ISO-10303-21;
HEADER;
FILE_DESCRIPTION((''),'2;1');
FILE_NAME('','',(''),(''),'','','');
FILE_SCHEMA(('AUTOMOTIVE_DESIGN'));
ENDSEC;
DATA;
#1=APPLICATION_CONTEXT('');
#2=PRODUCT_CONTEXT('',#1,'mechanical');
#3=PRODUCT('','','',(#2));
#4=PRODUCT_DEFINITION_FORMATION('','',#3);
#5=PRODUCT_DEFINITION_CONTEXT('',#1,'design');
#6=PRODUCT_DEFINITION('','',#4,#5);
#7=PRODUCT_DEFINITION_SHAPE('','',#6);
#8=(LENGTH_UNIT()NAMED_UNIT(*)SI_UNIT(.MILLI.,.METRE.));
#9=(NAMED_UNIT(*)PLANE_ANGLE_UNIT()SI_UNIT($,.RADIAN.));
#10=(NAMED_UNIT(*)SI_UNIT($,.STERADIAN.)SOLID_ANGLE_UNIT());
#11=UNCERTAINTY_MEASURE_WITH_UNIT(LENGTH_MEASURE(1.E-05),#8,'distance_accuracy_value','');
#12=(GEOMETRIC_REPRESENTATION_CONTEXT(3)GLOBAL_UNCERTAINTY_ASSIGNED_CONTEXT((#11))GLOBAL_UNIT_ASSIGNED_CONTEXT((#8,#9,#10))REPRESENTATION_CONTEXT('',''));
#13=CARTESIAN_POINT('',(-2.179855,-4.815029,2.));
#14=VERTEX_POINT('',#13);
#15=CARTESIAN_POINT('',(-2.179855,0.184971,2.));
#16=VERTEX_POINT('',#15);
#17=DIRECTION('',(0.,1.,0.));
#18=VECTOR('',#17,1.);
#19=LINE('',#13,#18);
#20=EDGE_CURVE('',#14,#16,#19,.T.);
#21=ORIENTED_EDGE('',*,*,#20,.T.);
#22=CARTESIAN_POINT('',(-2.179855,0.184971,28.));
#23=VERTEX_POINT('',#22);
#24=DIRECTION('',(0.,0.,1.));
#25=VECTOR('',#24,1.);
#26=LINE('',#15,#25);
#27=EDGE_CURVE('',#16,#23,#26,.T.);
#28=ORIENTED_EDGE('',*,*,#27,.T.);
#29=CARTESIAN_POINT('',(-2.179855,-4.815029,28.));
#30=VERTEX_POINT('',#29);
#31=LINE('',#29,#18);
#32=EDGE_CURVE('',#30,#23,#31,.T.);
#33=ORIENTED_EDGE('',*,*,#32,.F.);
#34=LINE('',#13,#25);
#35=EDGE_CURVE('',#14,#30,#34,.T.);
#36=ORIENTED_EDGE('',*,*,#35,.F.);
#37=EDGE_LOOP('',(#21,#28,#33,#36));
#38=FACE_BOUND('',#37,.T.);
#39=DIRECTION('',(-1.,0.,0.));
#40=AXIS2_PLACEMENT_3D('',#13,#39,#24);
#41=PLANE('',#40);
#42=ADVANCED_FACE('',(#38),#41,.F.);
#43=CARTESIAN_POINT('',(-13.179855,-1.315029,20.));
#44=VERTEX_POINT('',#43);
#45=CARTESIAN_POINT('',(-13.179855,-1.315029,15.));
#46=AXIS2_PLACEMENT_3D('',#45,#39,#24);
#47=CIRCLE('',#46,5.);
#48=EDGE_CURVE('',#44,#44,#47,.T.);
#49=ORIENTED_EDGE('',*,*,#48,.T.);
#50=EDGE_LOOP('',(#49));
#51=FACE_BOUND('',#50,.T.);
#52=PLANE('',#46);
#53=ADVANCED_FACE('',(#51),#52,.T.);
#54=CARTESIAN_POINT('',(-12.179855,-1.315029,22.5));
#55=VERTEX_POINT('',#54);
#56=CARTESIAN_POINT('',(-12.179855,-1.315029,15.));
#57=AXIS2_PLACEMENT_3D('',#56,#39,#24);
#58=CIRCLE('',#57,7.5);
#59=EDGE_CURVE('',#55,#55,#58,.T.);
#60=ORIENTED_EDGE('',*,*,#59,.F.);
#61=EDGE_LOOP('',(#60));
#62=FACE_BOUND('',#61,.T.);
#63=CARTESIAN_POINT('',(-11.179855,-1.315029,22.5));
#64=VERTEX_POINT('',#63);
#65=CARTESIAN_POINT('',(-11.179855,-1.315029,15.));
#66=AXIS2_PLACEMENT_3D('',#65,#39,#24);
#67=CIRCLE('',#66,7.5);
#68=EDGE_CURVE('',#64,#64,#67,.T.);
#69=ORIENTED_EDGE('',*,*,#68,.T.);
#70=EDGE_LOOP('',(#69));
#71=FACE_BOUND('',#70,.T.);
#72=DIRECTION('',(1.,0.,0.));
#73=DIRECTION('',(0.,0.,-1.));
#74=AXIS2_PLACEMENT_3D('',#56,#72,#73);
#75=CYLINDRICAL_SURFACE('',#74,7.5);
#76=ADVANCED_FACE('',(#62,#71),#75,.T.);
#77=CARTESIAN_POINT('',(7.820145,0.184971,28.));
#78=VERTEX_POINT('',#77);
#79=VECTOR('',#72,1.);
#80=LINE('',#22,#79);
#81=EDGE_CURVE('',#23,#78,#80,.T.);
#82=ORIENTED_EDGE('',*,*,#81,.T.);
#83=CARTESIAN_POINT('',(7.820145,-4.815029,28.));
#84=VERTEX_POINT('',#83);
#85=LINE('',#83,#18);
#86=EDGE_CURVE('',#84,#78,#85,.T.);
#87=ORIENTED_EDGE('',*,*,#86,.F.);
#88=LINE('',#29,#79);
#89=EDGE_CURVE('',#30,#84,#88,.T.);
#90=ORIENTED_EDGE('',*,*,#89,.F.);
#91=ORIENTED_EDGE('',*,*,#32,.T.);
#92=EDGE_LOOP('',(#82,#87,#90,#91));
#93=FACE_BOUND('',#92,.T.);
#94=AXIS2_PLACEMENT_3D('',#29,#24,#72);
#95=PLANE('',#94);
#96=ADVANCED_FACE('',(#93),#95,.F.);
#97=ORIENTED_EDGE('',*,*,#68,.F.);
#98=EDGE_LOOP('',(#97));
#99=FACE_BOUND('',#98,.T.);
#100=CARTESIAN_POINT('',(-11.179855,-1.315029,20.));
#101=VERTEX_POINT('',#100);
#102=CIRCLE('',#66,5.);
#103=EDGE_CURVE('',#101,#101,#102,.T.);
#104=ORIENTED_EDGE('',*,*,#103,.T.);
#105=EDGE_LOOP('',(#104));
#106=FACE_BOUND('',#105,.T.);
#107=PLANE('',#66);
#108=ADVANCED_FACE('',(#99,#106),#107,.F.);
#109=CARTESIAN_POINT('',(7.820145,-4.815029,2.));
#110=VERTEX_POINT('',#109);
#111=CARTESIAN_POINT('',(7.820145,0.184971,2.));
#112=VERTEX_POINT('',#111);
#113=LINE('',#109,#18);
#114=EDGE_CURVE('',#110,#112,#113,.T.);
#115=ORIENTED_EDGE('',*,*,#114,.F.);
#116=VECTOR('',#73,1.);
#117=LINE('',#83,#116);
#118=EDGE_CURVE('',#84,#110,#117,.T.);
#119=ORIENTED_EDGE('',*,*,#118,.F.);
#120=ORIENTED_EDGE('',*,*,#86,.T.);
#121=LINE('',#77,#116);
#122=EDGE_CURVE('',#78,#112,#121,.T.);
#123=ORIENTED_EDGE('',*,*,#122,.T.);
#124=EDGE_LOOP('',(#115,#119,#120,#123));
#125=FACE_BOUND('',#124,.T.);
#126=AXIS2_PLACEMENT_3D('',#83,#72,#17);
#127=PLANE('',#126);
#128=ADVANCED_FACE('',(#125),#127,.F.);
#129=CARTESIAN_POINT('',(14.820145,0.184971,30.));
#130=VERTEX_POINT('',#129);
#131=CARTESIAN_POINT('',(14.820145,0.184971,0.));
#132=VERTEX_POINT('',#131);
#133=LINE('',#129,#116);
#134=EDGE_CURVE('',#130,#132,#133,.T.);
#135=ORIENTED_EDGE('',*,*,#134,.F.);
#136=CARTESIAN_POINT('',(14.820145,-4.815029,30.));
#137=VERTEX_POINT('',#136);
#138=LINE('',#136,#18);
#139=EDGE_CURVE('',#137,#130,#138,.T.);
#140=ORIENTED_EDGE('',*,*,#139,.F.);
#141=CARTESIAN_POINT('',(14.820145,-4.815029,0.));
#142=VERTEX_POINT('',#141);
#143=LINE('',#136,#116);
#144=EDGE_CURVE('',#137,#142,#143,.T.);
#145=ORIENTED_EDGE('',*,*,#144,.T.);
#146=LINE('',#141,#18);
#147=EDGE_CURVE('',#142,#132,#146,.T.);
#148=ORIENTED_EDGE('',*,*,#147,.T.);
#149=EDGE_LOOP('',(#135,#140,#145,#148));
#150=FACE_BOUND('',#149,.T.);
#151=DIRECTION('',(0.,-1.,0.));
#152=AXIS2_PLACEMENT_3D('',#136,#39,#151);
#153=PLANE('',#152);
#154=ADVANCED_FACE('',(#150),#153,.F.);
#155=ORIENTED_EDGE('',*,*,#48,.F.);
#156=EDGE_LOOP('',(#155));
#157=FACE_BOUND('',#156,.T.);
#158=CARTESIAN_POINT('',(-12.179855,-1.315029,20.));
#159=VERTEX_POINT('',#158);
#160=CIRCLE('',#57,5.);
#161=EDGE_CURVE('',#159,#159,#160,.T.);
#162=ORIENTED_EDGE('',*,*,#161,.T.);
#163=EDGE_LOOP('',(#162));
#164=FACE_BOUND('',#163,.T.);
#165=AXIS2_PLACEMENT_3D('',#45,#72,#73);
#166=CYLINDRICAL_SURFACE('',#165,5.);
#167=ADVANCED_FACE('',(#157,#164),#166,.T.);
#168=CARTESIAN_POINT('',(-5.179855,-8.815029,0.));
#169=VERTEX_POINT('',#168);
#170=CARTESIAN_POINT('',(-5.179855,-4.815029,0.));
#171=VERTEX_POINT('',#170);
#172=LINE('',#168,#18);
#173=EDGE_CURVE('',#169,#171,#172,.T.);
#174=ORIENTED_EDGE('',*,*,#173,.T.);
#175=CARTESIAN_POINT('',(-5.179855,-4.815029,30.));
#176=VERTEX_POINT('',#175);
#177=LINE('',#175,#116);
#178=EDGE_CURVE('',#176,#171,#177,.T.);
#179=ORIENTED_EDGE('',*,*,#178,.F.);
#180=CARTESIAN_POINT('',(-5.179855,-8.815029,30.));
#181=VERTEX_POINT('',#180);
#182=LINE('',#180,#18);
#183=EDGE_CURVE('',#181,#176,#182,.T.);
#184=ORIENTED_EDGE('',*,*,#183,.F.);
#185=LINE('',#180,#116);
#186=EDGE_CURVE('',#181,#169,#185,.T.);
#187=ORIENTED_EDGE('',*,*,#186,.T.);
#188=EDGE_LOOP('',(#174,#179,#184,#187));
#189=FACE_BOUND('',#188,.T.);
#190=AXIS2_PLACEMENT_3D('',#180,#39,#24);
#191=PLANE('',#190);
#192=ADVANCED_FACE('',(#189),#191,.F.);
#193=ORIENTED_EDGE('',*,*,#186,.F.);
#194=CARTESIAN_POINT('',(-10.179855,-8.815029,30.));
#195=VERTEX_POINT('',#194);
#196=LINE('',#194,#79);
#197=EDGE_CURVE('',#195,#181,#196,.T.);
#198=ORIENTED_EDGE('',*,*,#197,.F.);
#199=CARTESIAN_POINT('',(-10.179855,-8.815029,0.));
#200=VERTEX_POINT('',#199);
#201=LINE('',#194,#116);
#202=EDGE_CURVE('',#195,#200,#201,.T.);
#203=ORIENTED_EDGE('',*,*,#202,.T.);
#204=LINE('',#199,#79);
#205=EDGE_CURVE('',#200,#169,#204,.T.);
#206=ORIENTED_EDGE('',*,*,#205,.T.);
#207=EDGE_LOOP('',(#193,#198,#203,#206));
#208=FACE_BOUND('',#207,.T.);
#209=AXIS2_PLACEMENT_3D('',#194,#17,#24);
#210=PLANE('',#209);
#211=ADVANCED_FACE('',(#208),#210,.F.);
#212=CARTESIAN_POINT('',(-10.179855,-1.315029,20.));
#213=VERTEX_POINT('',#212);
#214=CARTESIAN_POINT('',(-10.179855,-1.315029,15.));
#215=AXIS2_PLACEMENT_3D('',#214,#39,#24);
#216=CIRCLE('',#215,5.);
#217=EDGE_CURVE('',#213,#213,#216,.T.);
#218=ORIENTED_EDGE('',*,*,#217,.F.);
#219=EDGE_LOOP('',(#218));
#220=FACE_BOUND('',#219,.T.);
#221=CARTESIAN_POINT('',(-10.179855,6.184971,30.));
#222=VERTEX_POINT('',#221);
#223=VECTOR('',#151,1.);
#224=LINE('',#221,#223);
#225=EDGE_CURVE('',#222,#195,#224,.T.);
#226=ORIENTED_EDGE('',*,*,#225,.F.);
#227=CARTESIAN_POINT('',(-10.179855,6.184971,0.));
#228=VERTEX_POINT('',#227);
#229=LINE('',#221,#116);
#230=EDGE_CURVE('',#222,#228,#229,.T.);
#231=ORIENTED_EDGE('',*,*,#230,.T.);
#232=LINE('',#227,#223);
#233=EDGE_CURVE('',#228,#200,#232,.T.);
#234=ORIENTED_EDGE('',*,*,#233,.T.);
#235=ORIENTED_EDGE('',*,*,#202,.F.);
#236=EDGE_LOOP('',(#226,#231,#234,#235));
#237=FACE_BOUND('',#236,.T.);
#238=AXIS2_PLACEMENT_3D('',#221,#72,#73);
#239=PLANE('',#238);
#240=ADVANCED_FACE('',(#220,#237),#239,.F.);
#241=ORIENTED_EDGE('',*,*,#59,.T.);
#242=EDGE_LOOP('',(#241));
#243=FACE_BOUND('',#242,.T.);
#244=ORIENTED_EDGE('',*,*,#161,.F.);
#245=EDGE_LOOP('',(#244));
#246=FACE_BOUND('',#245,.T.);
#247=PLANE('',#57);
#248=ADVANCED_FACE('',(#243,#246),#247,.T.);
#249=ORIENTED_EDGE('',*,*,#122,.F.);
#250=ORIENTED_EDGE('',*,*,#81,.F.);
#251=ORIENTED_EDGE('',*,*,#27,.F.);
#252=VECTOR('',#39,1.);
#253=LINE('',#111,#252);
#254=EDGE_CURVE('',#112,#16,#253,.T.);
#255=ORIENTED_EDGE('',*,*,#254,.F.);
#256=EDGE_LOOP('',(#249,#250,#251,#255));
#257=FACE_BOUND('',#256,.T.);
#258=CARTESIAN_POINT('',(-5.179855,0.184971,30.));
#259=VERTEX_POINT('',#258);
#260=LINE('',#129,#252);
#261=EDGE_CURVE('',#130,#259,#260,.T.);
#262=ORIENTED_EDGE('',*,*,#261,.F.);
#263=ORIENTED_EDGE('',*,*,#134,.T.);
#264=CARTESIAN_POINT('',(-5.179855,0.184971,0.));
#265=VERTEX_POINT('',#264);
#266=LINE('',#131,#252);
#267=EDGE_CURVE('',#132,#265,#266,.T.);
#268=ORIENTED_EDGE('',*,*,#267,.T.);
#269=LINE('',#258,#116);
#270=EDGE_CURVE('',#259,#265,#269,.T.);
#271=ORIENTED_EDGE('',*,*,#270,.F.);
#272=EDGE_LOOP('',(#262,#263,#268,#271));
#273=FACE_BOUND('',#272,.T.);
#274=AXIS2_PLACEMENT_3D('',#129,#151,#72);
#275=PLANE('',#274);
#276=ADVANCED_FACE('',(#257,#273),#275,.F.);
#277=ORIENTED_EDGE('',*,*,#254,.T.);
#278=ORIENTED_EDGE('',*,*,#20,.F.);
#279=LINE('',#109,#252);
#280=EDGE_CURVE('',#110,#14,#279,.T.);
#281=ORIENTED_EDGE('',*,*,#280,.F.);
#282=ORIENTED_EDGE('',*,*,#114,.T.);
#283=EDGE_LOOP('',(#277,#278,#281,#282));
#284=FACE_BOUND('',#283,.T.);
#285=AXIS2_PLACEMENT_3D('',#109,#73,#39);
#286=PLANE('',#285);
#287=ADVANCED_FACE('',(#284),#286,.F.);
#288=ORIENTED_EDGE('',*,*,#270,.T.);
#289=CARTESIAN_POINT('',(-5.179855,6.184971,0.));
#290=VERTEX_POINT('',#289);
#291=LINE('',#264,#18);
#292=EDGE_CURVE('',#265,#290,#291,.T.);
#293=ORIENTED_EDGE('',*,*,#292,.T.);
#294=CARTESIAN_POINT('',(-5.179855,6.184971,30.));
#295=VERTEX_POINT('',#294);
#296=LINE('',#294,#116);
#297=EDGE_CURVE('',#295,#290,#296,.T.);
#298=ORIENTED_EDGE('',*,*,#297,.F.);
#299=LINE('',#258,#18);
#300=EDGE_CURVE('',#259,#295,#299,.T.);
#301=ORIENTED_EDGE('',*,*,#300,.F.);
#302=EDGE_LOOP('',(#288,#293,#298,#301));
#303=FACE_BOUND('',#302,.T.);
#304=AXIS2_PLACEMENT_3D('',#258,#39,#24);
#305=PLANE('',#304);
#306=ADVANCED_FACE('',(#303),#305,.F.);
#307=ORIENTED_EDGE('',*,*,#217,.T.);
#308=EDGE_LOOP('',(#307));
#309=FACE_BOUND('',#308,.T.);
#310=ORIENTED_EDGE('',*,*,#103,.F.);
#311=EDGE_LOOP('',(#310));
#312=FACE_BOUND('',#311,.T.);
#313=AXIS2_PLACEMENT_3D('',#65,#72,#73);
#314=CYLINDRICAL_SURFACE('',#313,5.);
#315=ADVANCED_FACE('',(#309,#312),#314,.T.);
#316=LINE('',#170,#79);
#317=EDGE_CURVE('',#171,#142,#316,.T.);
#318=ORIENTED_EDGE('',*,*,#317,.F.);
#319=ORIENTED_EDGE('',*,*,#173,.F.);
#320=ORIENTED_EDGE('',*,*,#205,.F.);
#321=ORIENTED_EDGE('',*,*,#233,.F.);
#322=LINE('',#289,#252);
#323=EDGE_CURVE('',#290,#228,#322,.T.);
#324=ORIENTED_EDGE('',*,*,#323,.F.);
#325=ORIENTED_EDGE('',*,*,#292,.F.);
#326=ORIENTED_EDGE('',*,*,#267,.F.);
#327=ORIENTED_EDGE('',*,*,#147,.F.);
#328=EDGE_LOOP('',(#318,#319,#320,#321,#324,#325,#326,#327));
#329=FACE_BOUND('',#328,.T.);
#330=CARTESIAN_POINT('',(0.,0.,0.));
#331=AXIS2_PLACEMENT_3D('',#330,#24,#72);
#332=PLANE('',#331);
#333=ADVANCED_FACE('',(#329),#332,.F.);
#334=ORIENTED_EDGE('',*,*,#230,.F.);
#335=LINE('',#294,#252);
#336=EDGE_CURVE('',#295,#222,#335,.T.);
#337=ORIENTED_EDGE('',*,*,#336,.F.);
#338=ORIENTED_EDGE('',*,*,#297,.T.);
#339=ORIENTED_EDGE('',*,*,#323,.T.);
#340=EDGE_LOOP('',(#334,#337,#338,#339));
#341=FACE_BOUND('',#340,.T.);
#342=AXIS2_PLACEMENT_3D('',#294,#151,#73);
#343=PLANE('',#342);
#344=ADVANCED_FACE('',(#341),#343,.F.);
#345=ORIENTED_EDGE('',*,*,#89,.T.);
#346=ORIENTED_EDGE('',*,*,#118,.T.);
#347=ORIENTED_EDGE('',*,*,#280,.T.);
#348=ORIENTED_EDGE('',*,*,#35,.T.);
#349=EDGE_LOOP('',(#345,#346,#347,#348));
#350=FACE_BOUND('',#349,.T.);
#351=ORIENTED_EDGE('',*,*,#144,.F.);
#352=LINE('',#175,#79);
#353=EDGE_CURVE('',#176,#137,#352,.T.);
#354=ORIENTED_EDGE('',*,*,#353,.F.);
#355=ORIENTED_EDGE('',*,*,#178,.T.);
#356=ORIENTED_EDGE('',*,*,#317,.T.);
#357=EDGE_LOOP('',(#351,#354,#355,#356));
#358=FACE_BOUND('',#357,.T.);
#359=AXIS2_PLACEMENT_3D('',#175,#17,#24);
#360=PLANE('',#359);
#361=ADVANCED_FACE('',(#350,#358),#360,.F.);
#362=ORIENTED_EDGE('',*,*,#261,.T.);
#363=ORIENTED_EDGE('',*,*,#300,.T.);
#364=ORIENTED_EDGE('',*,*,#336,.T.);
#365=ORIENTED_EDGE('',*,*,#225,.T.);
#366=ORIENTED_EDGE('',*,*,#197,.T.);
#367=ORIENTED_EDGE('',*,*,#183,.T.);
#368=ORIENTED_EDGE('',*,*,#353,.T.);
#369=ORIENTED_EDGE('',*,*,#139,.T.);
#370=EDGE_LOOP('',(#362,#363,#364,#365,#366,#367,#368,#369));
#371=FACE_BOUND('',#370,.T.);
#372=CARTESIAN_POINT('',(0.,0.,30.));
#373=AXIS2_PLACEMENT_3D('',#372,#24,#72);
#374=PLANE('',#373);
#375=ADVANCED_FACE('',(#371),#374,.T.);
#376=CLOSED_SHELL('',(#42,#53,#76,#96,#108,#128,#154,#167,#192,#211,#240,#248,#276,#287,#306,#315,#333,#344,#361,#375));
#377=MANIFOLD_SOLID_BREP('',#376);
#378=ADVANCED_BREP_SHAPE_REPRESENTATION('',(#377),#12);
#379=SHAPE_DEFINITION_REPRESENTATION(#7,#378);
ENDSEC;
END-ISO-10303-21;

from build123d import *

# Parameters (mm, degrees)
BOSS_EXTRUDE1_DEPTH = 30
SKETCH2_W           = 10
SKETCH2_H           = 26
CUT_EXTRUDE1_DEPTH  = 5
SKETCH3_R           = 5
BOSS_EXTRUDE2_DEPTH = 1
SKETCH4_R           = 7.5
BOSS_EXTRUDE3_DEPTH = 1
SKETCH5_R           = 5
BOSS_EXTRUDE4_DEPTH = 1


with BuildPart() as part:
    # Sketch1 → Boss-Extrude1 (new body)
    with BuildSketch(Plane.XY):
        Polygon((-10.17985471, 6.184971098), (-10.17985471, -8.815028902), (-5.17985471, -8.815028902), (-5.17985471, -4.815028902), (14.82014529, -4.815028902), (14.82014529, 0.184971098), (-5.17985471, 0.184971098), (-5.17985471, 6.184971098), align=None)
    extrude(amount=BOSS_EXTRUDE1_DEPTH)

    # Sketch2 → Cut-Extrude1 (cut)
    with BuildSketch(Plane(origin=(0, 0.184971098, 0), x_dir=(1, 0, 0), z_dir=(0, 1, 0))):
        with Locations((2.82014529, -15)):
            Rectangle(SKETCH2_W, SKETCH2_H)
    extrude(amount=-CUT_EXTRUDE1_DEPTH, mode=Mode.SUBTRACT)

    # Sketch3 → Boss-Extrude2 (add)
    with BuildSketch(Plane.ZY.offset(10.17985471)):
        with Locations((15, -1.315028902)):
            Circle(SKETCH3_R)
    extrude(amount=BOSS_EXTRUDE2_DEPTH)

    # Sketch4 → Boss-Extrude3 (add)
    with BuildSketch(Plane.ZY.offset(11.17985471)):
        with Locations((15, -1.315028902)):
            Circle(SKETCH4_R)
    extrude(amount=BOSS_EXTRUDE3_DEPTH)

    # Sketch5 → Boss-Extrude4 (add)
    with BuildSketch(Plane.ZY.offset(12.17985471)):
        with Locations((15, -1.315028902)):
            Circle(SKETCH5_R)
    extrude(amount=BOSS_EXTRUDE4_DEPTH)


solid = part.part
